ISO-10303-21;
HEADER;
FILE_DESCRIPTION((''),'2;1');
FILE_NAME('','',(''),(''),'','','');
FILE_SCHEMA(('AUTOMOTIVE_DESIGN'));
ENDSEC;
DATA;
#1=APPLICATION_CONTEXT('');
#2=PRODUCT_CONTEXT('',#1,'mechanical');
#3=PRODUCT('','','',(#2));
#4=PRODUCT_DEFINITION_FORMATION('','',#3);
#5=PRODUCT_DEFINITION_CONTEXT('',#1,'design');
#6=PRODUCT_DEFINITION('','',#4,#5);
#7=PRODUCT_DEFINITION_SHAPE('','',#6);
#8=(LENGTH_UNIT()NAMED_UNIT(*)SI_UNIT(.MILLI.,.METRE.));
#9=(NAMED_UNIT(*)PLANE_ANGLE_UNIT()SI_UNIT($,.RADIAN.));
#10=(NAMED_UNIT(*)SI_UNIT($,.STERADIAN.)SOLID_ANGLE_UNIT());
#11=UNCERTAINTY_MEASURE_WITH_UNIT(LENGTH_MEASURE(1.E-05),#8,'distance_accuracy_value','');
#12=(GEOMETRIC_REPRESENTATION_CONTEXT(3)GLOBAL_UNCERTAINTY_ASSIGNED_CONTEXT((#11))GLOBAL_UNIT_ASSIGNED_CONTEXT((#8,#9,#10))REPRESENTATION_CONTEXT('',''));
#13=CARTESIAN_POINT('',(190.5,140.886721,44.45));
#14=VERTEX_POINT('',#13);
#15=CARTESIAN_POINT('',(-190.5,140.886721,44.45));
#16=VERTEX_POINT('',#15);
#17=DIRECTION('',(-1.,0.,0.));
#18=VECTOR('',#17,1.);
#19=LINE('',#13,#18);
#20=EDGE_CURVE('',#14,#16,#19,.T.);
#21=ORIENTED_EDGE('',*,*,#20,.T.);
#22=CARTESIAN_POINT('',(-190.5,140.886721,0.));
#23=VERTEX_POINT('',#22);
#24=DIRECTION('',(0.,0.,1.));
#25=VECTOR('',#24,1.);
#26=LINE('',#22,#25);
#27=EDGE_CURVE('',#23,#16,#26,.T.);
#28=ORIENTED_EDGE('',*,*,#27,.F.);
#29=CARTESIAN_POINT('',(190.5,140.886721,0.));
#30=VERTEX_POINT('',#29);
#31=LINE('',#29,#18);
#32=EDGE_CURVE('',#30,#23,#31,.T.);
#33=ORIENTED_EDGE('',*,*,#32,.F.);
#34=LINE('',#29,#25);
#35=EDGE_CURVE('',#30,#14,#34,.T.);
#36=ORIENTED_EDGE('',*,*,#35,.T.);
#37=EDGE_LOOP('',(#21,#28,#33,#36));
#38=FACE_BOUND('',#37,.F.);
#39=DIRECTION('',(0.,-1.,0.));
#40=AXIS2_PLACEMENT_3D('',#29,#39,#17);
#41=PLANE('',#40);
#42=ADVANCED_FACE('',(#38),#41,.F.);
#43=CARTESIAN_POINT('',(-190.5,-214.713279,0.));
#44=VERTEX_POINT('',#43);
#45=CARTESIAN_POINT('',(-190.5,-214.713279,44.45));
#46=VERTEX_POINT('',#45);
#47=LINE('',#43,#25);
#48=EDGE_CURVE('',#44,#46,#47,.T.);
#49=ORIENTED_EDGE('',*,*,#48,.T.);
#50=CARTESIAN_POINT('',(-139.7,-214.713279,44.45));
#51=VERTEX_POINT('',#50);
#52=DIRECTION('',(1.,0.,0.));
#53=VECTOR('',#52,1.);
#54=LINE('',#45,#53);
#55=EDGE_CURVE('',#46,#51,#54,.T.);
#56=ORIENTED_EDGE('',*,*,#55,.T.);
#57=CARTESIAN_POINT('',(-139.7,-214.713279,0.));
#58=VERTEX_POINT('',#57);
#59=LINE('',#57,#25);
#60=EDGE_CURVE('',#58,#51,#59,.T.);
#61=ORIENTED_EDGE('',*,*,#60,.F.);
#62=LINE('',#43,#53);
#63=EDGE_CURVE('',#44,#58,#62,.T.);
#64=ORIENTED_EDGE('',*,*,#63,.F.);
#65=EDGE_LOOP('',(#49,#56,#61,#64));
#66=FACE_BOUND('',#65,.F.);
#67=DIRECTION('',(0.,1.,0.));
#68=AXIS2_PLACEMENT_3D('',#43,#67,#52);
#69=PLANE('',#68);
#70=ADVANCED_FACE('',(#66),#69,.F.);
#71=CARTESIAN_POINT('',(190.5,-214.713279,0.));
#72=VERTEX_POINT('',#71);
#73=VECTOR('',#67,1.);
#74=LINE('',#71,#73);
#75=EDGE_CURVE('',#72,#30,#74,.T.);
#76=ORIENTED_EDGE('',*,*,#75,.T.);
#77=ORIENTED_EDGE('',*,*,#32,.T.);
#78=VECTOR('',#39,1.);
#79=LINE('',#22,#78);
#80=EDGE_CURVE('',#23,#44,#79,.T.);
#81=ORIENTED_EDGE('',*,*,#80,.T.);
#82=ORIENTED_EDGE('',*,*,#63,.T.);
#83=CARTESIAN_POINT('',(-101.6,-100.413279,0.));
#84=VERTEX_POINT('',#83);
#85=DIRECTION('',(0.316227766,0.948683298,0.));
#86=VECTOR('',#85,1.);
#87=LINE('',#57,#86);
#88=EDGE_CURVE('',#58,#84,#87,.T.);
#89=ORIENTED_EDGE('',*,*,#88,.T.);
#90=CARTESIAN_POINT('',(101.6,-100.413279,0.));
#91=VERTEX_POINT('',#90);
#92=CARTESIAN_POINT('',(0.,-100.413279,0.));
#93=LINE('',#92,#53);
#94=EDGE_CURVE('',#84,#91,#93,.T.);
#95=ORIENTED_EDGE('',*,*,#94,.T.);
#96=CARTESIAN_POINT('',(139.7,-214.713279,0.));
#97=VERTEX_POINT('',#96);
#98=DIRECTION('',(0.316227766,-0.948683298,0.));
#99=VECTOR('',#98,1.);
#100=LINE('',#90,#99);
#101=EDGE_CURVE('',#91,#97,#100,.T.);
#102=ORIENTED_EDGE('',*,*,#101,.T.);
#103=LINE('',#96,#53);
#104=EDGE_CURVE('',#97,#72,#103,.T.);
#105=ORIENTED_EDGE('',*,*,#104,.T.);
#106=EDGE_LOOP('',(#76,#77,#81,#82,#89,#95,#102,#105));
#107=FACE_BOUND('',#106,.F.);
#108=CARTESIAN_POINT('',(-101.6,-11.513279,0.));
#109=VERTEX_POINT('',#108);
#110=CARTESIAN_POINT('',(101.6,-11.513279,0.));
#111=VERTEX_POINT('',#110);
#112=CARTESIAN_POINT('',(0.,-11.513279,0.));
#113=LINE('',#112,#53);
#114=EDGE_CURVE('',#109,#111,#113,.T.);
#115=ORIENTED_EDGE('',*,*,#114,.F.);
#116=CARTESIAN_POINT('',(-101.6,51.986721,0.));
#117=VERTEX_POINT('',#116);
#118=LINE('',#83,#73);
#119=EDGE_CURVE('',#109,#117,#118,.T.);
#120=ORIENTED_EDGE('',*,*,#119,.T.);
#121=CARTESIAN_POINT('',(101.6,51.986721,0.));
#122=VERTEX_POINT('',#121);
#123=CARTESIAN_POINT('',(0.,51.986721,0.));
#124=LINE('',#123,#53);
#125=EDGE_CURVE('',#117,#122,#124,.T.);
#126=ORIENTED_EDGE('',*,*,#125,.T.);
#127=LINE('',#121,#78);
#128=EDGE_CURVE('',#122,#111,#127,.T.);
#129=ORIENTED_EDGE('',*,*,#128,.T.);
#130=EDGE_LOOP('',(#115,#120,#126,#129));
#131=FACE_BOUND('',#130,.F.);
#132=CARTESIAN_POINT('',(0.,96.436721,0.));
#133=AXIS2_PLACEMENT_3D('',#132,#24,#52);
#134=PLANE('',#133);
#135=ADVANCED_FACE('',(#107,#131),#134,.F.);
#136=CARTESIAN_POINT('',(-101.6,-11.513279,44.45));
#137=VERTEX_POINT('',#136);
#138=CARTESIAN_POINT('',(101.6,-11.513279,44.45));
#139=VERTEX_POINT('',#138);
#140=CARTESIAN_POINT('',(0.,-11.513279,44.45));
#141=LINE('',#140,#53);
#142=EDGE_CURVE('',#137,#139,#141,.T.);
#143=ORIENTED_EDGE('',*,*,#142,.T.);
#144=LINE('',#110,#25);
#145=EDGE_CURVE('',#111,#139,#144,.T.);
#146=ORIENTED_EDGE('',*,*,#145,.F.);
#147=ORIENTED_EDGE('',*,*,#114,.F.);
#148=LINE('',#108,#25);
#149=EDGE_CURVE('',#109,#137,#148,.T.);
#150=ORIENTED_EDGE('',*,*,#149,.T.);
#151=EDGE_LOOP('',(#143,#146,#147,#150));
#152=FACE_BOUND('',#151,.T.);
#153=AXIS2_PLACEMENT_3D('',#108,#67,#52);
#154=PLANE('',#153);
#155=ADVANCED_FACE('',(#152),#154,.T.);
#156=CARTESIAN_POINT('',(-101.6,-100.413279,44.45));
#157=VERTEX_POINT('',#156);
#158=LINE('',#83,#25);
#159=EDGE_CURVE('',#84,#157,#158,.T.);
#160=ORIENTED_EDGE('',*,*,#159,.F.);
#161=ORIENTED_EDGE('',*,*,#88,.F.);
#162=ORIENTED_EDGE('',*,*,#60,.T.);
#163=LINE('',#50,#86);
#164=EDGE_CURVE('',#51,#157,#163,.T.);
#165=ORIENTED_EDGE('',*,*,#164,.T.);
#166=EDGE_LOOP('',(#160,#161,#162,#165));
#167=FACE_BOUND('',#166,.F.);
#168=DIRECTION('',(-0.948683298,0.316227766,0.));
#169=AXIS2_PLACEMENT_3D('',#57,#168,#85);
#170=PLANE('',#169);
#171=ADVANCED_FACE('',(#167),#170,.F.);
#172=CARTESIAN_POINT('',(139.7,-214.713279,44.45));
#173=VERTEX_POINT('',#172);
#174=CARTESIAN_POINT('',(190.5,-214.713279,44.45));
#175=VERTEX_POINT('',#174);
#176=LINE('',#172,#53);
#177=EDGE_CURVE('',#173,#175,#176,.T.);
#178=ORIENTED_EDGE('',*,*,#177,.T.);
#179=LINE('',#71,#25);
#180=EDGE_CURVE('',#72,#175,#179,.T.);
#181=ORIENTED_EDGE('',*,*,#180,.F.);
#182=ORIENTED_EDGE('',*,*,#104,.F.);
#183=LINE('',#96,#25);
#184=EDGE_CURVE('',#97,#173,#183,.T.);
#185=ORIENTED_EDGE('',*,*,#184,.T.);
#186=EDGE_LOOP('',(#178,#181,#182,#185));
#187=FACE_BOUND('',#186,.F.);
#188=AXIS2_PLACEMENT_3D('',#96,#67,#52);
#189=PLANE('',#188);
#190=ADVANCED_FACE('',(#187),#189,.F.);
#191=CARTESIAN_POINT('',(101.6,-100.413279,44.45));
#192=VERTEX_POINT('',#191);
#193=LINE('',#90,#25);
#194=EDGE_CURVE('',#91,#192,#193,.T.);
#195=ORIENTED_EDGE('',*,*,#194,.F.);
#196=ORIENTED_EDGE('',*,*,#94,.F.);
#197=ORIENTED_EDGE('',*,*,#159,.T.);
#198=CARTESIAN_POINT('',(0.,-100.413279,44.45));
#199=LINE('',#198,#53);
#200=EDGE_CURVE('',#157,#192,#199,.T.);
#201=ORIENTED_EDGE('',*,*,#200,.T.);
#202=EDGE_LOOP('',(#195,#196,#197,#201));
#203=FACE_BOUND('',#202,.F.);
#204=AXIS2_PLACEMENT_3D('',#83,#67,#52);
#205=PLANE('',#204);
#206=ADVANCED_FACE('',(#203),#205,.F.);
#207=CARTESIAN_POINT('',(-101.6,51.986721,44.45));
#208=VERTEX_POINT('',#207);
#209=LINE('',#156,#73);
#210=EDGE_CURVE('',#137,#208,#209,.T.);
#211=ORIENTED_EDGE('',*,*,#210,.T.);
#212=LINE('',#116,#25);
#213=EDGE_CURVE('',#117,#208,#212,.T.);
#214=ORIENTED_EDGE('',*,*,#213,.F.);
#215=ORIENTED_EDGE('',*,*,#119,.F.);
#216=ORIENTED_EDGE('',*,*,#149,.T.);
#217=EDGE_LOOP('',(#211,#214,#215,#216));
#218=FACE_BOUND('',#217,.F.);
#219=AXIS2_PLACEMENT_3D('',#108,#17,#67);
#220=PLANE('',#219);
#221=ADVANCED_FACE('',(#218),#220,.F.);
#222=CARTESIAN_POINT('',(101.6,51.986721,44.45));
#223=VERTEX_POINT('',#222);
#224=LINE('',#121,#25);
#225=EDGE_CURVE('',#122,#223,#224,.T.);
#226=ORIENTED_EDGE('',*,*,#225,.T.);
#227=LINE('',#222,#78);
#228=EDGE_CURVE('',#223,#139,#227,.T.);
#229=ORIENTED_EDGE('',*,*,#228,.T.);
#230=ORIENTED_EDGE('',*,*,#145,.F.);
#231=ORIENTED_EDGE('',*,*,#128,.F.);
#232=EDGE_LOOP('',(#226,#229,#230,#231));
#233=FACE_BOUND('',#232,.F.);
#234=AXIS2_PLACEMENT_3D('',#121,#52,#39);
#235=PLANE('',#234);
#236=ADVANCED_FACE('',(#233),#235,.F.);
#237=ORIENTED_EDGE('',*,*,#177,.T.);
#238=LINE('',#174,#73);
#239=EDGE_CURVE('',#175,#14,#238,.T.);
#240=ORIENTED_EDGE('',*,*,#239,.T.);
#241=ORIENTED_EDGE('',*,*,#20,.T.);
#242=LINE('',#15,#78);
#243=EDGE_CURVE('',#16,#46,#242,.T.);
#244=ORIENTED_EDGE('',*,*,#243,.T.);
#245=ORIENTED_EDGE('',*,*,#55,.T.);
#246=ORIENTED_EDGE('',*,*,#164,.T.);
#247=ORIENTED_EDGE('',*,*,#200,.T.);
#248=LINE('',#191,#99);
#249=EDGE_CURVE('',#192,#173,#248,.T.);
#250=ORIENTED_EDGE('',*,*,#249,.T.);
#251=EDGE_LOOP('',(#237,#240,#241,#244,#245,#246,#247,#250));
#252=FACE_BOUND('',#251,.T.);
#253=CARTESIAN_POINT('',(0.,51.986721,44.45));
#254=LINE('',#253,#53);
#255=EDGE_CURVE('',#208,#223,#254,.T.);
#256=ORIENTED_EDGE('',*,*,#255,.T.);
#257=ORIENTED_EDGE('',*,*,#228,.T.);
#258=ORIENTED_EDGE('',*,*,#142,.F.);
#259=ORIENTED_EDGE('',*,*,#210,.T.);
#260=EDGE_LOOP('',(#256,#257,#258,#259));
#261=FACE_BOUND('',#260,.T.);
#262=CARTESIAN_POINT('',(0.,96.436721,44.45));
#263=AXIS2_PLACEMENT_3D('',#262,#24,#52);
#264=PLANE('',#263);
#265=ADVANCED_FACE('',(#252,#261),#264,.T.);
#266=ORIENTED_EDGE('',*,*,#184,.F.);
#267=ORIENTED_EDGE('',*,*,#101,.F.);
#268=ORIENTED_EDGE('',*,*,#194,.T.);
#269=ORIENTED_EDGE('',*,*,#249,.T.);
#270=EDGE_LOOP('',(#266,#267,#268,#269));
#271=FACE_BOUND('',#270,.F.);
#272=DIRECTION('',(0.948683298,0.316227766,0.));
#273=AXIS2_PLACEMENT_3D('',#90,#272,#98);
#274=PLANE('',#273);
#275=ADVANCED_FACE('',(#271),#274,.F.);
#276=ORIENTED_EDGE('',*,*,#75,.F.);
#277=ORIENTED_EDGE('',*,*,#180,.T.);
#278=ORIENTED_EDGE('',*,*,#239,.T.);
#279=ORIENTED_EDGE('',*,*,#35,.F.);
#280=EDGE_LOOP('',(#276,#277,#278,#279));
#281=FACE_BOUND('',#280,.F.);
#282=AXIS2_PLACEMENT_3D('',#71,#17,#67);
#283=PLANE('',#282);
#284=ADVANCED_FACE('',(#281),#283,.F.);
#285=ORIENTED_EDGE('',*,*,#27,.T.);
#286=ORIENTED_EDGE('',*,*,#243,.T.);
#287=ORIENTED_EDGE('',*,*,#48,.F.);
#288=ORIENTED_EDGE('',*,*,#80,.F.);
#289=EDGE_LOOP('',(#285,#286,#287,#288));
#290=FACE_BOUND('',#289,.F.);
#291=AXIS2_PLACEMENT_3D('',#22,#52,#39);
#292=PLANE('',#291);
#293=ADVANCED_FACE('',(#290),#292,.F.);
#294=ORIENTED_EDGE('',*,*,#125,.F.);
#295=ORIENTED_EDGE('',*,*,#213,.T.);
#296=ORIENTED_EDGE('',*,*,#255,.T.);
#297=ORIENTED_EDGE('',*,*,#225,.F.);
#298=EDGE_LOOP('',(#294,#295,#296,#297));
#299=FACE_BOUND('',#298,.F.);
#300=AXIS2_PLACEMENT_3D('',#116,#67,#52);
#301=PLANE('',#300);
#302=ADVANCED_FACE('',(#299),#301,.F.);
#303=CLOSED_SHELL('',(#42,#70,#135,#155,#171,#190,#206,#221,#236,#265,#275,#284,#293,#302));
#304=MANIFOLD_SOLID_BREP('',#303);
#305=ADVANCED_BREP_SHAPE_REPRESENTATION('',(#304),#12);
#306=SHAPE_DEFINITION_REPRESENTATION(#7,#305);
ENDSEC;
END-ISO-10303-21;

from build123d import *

# Parameters (mm, degrees)
F0_W     = 203.2
F0_H     = 88.9
F1_DEPTH = 44.45


with BuildPart() as f1:
    # F0 (on Top) → F1 (new body)
    with BuildSketch(Plane.XY):
        with Locations((0, 96.436721)):
            Rectangle(F0_W, F0_H)
        Polygon((-101.6, 51.986721), (-101.6, 140.886721), (-190.5, 140.886721), (-190.5, -214.713279), (-139.7, -214.713279), (-101.6, -100.413279), (-101.6, -11.513279), align=None)
        Polygon((190.5, 140.886721), (101.6, 140.886721), (101.6, 51.986721), (101.6, -11.513279), (101.6, -100.413279), (139.7, -214.713279), (190.5, -214.713279), align=None)
        with Locations((0, -55.963279)):
            Rectangle(F0_W, F0_H)
    extrude(amount=F1_DEPTH)


solid = f1.part
